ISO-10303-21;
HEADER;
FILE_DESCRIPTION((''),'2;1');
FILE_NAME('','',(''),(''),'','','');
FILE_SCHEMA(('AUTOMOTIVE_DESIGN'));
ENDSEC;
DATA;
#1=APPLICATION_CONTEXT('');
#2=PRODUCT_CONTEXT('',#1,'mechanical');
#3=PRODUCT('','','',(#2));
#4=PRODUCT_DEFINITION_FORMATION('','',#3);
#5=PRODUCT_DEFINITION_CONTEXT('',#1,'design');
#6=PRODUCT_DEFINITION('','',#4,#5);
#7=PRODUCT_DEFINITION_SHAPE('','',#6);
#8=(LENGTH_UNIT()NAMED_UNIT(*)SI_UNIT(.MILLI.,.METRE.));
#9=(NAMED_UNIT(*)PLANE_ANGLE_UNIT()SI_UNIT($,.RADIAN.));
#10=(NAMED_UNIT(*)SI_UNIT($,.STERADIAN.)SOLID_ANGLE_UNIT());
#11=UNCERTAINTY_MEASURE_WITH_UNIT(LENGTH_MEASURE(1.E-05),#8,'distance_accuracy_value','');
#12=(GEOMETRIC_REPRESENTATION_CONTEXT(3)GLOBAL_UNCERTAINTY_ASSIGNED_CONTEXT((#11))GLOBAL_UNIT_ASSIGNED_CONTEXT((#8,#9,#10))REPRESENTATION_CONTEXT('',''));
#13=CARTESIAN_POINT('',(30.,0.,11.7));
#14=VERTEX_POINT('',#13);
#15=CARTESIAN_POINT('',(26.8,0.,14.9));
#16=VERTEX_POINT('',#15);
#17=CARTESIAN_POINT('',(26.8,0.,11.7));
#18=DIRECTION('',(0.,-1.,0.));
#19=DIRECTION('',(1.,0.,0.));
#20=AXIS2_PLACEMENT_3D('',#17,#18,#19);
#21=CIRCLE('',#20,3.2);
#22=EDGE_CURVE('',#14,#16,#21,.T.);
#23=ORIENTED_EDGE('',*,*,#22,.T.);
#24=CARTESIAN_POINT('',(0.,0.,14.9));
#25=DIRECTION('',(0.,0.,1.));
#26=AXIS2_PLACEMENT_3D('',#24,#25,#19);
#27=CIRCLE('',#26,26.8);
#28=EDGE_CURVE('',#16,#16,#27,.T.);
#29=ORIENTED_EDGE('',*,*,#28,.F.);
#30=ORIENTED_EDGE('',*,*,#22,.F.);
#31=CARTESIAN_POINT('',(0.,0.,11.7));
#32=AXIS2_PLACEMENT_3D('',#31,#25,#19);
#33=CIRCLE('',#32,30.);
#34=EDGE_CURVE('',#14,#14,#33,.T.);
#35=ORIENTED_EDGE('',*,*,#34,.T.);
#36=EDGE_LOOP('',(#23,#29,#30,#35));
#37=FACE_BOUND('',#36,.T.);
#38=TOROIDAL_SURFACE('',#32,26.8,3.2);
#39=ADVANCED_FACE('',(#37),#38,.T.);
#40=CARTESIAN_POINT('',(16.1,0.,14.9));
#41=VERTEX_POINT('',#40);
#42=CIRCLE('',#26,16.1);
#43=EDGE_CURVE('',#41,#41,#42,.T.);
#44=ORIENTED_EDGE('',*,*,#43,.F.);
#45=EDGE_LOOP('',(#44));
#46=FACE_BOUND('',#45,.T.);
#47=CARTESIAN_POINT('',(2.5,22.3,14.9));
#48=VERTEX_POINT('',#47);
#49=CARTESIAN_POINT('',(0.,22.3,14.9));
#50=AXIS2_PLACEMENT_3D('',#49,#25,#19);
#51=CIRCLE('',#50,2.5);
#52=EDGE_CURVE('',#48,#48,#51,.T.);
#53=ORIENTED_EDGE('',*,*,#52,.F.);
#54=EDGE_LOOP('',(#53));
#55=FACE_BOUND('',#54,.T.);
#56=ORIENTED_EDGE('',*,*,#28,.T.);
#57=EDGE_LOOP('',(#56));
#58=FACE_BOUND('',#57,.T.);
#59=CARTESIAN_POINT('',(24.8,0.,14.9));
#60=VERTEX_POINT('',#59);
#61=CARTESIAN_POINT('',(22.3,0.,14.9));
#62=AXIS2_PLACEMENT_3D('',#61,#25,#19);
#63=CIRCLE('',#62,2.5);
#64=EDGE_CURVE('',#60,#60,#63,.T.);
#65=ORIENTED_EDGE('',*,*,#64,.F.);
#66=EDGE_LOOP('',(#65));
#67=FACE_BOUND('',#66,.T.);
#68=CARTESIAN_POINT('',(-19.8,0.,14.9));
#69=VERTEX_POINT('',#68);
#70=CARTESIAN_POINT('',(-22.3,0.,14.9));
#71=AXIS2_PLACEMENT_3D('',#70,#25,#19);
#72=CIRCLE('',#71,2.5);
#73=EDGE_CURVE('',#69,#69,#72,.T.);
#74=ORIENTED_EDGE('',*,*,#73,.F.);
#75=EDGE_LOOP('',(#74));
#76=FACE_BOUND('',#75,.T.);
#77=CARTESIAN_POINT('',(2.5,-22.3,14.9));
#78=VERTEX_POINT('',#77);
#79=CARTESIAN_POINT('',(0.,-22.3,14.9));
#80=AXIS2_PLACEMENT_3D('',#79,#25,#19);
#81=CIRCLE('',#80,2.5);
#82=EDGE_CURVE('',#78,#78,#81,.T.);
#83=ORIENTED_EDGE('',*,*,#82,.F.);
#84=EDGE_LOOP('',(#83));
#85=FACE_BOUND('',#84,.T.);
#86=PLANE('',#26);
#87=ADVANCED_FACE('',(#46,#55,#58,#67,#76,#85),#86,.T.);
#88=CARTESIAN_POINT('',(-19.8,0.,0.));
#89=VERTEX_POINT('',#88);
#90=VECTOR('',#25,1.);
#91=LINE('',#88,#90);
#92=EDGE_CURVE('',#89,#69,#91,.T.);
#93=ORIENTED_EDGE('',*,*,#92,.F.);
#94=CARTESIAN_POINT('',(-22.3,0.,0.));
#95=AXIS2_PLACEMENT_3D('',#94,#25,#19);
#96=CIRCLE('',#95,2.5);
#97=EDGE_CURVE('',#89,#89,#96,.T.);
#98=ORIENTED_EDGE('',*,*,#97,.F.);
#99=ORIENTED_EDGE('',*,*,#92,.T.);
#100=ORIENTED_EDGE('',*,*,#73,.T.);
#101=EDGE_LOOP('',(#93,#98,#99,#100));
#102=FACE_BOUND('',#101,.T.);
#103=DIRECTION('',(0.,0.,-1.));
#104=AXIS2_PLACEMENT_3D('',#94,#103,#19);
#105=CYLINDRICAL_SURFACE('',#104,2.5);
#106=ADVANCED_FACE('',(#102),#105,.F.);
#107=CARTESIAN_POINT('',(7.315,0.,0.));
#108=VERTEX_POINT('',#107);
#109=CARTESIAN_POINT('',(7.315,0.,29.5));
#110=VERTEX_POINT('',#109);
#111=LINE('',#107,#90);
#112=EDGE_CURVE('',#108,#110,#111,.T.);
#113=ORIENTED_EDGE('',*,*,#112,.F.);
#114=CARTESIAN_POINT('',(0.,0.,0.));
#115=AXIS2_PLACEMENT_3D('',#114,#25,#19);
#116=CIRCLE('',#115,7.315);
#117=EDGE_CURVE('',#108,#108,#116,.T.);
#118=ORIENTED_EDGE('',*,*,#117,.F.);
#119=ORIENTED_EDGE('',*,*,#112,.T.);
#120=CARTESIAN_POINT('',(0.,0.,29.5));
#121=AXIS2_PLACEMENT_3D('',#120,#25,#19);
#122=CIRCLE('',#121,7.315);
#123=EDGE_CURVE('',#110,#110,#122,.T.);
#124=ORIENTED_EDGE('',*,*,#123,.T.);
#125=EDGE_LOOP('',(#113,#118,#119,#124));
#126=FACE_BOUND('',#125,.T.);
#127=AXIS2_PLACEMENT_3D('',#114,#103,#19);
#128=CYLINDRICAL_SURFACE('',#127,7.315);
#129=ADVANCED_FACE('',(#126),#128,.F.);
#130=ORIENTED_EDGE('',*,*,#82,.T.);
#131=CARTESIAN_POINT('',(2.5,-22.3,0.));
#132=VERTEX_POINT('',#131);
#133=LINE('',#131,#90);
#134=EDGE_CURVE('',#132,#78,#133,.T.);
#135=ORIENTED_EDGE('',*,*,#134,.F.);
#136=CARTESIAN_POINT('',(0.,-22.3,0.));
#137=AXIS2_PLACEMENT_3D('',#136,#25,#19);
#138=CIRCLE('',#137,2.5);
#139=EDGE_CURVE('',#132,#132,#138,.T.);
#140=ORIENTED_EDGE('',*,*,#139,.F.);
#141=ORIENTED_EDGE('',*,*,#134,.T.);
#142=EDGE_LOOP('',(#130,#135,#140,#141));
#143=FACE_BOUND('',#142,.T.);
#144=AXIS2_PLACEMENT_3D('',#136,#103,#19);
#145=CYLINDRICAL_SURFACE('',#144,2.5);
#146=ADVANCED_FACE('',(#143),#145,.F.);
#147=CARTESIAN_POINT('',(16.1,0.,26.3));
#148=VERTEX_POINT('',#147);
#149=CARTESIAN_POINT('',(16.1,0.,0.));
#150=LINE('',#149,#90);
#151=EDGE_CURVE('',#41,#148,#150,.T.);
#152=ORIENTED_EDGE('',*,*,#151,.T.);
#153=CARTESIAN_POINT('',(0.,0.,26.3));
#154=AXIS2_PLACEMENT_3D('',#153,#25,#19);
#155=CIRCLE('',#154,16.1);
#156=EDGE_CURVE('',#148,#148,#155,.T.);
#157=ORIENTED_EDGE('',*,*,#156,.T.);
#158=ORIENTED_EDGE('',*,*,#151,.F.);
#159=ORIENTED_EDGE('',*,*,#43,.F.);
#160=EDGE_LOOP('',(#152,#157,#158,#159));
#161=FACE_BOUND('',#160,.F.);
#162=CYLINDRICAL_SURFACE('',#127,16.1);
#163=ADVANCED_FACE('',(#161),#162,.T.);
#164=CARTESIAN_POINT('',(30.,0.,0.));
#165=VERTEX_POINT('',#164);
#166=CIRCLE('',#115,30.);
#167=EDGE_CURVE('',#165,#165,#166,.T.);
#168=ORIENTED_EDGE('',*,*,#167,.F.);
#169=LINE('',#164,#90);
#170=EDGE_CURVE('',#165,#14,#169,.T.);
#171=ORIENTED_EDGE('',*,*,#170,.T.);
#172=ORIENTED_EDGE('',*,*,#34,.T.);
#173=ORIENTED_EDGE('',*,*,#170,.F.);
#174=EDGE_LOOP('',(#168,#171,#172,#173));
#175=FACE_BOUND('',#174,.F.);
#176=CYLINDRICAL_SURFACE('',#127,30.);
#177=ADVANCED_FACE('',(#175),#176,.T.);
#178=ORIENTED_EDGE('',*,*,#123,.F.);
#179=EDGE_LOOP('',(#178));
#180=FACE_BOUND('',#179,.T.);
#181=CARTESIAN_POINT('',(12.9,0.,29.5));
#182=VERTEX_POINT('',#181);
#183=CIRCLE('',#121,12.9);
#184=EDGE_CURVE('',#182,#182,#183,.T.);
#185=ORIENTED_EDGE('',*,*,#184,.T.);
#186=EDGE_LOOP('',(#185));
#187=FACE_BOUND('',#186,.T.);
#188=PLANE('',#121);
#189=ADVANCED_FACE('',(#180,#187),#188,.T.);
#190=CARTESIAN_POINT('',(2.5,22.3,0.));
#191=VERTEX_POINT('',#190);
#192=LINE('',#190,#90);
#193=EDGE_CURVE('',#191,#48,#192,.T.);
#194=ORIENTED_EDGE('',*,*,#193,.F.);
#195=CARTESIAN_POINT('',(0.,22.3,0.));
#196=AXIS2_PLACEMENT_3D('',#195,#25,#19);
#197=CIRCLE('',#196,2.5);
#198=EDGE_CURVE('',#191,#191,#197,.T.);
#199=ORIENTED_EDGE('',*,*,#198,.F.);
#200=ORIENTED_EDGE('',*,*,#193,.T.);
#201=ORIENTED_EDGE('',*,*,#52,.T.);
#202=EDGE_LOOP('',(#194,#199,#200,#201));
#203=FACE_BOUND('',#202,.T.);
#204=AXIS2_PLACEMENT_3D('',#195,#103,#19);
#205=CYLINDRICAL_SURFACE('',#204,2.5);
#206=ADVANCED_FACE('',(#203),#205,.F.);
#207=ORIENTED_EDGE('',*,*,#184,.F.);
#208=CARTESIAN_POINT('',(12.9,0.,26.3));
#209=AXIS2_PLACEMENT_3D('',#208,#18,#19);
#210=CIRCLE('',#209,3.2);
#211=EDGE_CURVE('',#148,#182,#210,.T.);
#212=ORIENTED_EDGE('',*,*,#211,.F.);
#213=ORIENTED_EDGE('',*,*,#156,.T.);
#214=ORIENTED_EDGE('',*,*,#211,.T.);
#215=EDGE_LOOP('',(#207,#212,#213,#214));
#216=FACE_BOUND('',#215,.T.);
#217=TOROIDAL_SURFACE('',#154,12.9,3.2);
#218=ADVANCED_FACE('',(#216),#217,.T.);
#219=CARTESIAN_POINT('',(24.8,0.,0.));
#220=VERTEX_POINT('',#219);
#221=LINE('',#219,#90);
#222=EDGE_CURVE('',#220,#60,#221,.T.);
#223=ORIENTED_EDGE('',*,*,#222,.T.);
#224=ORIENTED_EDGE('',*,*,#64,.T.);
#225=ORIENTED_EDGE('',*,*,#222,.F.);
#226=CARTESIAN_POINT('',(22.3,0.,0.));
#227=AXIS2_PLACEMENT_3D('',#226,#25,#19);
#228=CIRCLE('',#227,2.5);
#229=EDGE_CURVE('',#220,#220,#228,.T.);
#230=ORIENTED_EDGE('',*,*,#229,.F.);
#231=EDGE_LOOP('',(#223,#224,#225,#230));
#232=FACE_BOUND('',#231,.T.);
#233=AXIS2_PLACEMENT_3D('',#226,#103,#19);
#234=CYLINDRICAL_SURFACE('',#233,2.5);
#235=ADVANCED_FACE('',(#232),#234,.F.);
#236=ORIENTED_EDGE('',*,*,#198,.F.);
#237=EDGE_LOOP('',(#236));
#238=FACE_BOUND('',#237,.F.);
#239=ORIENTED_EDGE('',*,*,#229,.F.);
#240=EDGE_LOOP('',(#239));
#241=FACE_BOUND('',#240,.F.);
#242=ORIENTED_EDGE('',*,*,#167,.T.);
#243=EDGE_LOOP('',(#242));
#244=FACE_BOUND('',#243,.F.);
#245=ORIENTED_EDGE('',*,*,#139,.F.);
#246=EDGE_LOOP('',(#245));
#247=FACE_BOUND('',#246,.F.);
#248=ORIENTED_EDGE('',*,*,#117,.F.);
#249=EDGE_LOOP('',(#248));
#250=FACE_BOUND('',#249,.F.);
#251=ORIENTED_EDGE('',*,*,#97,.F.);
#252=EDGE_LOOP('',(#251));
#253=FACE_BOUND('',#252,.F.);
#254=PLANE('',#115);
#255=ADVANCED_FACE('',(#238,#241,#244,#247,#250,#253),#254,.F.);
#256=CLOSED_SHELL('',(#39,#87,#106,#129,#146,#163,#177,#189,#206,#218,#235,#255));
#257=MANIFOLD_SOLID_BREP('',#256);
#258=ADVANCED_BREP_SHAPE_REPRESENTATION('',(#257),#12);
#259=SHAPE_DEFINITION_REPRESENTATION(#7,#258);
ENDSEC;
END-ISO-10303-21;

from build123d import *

# Parameters (mm, degrees)
F0_R     = 30
F0_R_2   = 2.5
F0_R_3   = 16.1
F1_DEPTH = 14.9
F2_R     = 3.2
F0_R_4   = 7.315
F3_DEPTH = 29.5
F4_R     = 3.2


with BuildPart() as f1:
    # F0 (on Top) → F1 (new body)
    with BuildSketch(Plane.XY):
        Circle(F0_R)
        with Locations((0, -22.3)):
            Circle(F0_R_2, mode=Mode.SUBTRACT)
        with Locations((-22.3, 0)):
            Circle(F0_R_2, mode=Mode.SUBTRACT)
        Circle(F0_R_3, mode=Mode.SUBTRACT)
        with Locations((22.3, 0)):
            Circle(F0_R_2, mode=Mode.SUBTRACT)
        with Locations((0, 22.3)):
            Circle(F0_R_2, mode=Mode.SUBTRACT)
    extrude(amount=F1_DEPTH)

    # F2
    f2_edges = [f1.edges().sort_by_distance(p)[0] for p in [
        (-30, 0, 14.9),
    ]]
    fillet(f2_edges, radius=F2_R)

    # F0 (on Top) → F3 (join)
    with BuildSketch(Plane.XY):
        Circle(F0_R_3)
        Circle(F0_R_4, mode=Mode.SUBTRACT)
    extrude(amount=F3_DEPTH)

    # F4
    f4_edges = [f1.edges().sort_by_distance(p)[0] for p in [
        (-16.1, 0, 29.5),
    ]]
    fillet(f4_edges, radius=F4_R)


solid = f1.part
